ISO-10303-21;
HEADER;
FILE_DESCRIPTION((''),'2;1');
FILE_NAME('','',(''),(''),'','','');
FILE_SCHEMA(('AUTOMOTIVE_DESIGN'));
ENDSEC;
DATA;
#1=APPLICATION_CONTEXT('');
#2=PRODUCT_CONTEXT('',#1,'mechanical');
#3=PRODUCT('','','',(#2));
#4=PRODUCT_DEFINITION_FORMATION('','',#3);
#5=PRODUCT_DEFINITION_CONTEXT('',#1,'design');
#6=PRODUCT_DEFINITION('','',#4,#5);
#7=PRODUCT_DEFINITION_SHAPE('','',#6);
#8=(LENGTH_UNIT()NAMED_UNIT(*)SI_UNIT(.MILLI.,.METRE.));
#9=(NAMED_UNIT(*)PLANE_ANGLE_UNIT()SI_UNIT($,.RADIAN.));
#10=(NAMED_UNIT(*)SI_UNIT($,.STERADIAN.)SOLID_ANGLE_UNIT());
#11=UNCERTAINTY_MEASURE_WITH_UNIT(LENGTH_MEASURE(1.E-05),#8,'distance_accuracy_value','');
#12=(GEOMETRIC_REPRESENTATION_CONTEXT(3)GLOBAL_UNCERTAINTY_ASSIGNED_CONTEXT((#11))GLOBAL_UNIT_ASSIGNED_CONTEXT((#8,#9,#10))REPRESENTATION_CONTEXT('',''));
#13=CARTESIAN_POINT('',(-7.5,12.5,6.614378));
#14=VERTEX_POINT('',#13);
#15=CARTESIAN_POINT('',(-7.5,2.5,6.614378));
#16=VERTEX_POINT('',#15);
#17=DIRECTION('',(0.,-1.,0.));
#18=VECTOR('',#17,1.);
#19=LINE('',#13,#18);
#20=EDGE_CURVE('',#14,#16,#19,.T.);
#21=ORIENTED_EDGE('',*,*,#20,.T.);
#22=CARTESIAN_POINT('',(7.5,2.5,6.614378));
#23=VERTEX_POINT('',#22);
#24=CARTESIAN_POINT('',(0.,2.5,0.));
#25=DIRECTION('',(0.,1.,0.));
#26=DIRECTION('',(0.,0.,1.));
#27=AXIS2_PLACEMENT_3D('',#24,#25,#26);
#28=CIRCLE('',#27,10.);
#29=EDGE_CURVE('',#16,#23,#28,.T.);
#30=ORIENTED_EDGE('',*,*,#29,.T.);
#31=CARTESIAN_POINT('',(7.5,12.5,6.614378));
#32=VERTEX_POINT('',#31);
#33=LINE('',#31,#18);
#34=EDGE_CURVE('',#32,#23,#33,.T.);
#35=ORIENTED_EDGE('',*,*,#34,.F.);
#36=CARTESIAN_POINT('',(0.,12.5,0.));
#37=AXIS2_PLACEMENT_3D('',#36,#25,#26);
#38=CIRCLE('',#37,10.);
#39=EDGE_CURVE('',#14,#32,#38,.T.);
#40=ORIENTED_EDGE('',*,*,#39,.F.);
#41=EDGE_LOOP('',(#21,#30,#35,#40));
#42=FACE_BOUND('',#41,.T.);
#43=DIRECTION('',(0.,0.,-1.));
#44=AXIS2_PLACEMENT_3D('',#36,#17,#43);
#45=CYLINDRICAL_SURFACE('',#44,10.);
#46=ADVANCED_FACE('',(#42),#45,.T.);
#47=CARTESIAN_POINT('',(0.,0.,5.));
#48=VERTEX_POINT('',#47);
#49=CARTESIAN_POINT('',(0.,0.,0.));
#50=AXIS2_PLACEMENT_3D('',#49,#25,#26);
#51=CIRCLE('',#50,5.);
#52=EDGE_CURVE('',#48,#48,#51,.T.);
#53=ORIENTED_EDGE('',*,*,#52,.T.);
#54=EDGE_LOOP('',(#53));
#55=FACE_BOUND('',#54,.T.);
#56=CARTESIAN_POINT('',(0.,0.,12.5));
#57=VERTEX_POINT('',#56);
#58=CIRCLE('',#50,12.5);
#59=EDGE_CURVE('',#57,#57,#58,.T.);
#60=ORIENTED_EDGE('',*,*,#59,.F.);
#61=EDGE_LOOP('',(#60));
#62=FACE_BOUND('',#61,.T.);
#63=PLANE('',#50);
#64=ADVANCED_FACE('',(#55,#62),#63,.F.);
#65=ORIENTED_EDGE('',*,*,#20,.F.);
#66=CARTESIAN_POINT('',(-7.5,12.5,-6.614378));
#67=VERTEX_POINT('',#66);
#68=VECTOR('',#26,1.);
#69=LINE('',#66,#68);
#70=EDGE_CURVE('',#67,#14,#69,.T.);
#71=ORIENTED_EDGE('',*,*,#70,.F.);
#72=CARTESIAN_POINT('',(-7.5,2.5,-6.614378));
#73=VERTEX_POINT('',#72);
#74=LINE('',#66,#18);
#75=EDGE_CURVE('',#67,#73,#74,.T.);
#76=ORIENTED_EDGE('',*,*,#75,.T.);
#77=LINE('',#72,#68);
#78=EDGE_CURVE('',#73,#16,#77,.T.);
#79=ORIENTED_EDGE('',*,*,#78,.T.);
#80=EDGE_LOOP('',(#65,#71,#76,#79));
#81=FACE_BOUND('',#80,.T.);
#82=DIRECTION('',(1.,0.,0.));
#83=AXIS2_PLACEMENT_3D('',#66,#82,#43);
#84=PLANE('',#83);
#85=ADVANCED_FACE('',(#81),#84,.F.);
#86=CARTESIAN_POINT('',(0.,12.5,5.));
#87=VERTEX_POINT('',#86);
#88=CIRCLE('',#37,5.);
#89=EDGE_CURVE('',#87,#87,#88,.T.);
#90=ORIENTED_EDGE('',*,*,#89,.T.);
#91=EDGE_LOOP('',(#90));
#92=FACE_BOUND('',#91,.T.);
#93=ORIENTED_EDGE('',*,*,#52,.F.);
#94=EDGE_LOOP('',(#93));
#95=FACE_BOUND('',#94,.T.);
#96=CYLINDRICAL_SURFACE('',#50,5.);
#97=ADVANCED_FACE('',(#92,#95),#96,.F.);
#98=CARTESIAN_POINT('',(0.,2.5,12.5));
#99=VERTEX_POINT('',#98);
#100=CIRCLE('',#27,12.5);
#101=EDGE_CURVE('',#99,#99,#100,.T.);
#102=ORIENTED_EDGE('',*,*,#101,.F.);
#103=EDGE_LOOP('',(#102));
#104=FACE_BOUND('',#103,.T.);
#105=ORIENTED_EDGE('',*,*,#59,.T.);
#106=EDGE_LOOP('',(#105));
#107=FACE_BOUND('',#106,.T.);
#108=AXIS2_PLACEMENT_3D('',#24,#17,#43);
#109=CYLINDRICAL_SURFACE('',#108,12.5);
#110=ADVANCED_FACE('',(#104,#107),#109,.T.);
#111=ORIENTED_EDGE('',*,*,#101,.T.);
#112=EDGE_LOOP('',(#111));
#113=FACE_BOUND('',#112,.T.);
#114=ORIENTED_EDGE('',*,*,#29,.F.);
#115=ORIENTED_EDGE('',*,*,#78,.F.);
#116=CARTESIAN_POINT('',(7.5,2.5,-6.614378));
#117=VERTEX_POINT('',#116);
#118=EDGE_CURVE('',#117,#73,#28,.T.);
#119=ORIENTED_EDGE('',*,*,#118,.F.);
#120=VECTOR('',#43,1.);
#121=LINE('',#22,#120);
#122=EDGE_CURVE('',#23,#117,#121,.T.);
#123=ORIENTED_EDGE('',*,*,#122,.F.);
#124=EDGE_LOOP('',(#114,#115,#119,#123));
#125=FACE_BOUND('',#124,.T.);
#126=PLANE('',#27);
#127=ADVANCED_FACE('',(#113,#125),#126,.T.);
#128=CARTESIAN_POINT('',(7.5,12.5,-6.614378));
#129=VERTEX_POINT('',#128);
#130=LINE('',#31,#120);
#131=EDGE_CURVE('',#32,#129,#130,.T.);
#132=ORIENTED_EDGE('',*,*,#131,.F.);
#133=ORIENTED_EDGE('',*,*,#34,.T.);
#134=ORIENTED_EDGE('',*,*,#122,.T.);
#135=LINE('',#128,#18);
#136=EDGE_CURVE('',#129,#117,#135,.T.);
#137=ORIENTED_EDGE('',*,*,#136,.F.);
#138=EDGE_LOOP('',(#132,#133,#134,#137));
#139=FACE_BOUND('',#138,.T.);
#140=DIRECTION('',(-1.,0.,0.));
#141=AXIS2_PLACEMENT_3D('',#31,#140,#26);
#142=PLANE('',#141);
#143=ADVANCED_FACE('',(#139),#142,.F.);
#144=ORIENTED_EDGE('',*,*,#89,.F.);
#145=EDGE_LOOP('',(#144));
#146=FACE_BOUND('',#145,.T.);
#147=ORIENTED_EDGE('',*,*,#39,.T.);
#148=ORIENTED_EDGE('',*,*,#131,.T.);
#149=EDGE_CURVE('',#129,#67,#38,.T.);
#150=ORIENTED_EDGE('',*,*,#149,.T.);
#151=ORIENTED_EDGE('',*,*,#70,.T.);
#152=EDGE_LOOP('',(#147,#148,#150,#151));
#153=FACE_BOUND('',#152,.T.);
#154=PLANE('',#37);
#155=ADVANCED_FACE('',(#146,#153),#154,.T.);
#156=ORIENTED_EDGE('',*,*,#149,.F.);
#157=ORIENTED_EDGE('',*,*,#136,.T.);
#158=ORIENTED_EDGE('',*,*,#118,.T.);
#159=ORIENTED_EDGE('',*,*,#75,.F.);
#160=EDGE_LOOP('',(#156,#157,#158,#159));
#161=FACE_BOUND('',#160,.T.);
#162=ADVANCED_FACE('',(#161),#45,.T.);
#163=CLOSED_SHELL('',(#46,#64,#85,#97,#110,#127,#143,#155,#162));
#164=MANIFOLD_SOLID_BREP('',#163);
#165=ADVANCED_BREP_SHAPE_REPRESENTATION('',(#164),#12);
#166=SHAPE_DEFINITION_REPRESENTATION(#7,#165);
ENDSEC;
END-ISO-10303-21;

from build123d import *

# Parameters (mm, degrees)
CROQUIS1_R              = 12.5
SALIENTE_EXTRUIR1_DEPTH = 2.5
SALIENTE_EXTRUIR2_DEPTH = 10
CROQUIS3_R              = 5
CORTAR_EXTRUIR1_DEPTH   = 22.650635095


with BuildPart() as part:
    # Croquis1 → Saliente-Extruir1 (new body)
    with BuildSketch(Plane(origin=(0, 0, 0), x_dir=(1, 0, 0), z_dir=(0, 1, 0))):
        with Locations(Location((0, 0, 0), (0, 0, 270))):
            Circle(CROQUIS1_R)
    extrude(amount=SALIENTE_EXTRUIR1_DEPTH)

    # Croquis2 → Saliente-Extruir2 (add)
    with BuildSketch(Plane(origin=(0, 2.5, 0), x_dir=(1, 0, 0), z_dir=(0, 1, 0))):
        with BuildLine():
            Line((-7.5, 6.614378278), (-7.5, -6.614378278))
            ThreePointArc((-7.5, -6.614378278), (0, -10), (7.5, -6.614378278))
            Line((7.5, -6.614378278), (7.5, 6.614378278))
            ThreePointArc((7.5, 6.614378278), (0, 10), (-7.5, 6.614378278))
        make_face()
    extrude(amount=SALIENTE_EXTRUIR2_DEPTH)

    # Croquis3 → Cortar-Extruir1 (cut, through all)
    with BuildSketch(Plane(origin=(0, 12.5, 0), x_dir=(1, 0, 0), z_dir=(0, 1, 0))):
        with Locations(Location((0, 0, 0), (0, 0, 270))):
            Circle(CROQUIS3_R)
    extrude(amount=-CORTAR_EXTRUIR1_DEPTH, mode=Mode.SUBTRACT)


solid = part.part
